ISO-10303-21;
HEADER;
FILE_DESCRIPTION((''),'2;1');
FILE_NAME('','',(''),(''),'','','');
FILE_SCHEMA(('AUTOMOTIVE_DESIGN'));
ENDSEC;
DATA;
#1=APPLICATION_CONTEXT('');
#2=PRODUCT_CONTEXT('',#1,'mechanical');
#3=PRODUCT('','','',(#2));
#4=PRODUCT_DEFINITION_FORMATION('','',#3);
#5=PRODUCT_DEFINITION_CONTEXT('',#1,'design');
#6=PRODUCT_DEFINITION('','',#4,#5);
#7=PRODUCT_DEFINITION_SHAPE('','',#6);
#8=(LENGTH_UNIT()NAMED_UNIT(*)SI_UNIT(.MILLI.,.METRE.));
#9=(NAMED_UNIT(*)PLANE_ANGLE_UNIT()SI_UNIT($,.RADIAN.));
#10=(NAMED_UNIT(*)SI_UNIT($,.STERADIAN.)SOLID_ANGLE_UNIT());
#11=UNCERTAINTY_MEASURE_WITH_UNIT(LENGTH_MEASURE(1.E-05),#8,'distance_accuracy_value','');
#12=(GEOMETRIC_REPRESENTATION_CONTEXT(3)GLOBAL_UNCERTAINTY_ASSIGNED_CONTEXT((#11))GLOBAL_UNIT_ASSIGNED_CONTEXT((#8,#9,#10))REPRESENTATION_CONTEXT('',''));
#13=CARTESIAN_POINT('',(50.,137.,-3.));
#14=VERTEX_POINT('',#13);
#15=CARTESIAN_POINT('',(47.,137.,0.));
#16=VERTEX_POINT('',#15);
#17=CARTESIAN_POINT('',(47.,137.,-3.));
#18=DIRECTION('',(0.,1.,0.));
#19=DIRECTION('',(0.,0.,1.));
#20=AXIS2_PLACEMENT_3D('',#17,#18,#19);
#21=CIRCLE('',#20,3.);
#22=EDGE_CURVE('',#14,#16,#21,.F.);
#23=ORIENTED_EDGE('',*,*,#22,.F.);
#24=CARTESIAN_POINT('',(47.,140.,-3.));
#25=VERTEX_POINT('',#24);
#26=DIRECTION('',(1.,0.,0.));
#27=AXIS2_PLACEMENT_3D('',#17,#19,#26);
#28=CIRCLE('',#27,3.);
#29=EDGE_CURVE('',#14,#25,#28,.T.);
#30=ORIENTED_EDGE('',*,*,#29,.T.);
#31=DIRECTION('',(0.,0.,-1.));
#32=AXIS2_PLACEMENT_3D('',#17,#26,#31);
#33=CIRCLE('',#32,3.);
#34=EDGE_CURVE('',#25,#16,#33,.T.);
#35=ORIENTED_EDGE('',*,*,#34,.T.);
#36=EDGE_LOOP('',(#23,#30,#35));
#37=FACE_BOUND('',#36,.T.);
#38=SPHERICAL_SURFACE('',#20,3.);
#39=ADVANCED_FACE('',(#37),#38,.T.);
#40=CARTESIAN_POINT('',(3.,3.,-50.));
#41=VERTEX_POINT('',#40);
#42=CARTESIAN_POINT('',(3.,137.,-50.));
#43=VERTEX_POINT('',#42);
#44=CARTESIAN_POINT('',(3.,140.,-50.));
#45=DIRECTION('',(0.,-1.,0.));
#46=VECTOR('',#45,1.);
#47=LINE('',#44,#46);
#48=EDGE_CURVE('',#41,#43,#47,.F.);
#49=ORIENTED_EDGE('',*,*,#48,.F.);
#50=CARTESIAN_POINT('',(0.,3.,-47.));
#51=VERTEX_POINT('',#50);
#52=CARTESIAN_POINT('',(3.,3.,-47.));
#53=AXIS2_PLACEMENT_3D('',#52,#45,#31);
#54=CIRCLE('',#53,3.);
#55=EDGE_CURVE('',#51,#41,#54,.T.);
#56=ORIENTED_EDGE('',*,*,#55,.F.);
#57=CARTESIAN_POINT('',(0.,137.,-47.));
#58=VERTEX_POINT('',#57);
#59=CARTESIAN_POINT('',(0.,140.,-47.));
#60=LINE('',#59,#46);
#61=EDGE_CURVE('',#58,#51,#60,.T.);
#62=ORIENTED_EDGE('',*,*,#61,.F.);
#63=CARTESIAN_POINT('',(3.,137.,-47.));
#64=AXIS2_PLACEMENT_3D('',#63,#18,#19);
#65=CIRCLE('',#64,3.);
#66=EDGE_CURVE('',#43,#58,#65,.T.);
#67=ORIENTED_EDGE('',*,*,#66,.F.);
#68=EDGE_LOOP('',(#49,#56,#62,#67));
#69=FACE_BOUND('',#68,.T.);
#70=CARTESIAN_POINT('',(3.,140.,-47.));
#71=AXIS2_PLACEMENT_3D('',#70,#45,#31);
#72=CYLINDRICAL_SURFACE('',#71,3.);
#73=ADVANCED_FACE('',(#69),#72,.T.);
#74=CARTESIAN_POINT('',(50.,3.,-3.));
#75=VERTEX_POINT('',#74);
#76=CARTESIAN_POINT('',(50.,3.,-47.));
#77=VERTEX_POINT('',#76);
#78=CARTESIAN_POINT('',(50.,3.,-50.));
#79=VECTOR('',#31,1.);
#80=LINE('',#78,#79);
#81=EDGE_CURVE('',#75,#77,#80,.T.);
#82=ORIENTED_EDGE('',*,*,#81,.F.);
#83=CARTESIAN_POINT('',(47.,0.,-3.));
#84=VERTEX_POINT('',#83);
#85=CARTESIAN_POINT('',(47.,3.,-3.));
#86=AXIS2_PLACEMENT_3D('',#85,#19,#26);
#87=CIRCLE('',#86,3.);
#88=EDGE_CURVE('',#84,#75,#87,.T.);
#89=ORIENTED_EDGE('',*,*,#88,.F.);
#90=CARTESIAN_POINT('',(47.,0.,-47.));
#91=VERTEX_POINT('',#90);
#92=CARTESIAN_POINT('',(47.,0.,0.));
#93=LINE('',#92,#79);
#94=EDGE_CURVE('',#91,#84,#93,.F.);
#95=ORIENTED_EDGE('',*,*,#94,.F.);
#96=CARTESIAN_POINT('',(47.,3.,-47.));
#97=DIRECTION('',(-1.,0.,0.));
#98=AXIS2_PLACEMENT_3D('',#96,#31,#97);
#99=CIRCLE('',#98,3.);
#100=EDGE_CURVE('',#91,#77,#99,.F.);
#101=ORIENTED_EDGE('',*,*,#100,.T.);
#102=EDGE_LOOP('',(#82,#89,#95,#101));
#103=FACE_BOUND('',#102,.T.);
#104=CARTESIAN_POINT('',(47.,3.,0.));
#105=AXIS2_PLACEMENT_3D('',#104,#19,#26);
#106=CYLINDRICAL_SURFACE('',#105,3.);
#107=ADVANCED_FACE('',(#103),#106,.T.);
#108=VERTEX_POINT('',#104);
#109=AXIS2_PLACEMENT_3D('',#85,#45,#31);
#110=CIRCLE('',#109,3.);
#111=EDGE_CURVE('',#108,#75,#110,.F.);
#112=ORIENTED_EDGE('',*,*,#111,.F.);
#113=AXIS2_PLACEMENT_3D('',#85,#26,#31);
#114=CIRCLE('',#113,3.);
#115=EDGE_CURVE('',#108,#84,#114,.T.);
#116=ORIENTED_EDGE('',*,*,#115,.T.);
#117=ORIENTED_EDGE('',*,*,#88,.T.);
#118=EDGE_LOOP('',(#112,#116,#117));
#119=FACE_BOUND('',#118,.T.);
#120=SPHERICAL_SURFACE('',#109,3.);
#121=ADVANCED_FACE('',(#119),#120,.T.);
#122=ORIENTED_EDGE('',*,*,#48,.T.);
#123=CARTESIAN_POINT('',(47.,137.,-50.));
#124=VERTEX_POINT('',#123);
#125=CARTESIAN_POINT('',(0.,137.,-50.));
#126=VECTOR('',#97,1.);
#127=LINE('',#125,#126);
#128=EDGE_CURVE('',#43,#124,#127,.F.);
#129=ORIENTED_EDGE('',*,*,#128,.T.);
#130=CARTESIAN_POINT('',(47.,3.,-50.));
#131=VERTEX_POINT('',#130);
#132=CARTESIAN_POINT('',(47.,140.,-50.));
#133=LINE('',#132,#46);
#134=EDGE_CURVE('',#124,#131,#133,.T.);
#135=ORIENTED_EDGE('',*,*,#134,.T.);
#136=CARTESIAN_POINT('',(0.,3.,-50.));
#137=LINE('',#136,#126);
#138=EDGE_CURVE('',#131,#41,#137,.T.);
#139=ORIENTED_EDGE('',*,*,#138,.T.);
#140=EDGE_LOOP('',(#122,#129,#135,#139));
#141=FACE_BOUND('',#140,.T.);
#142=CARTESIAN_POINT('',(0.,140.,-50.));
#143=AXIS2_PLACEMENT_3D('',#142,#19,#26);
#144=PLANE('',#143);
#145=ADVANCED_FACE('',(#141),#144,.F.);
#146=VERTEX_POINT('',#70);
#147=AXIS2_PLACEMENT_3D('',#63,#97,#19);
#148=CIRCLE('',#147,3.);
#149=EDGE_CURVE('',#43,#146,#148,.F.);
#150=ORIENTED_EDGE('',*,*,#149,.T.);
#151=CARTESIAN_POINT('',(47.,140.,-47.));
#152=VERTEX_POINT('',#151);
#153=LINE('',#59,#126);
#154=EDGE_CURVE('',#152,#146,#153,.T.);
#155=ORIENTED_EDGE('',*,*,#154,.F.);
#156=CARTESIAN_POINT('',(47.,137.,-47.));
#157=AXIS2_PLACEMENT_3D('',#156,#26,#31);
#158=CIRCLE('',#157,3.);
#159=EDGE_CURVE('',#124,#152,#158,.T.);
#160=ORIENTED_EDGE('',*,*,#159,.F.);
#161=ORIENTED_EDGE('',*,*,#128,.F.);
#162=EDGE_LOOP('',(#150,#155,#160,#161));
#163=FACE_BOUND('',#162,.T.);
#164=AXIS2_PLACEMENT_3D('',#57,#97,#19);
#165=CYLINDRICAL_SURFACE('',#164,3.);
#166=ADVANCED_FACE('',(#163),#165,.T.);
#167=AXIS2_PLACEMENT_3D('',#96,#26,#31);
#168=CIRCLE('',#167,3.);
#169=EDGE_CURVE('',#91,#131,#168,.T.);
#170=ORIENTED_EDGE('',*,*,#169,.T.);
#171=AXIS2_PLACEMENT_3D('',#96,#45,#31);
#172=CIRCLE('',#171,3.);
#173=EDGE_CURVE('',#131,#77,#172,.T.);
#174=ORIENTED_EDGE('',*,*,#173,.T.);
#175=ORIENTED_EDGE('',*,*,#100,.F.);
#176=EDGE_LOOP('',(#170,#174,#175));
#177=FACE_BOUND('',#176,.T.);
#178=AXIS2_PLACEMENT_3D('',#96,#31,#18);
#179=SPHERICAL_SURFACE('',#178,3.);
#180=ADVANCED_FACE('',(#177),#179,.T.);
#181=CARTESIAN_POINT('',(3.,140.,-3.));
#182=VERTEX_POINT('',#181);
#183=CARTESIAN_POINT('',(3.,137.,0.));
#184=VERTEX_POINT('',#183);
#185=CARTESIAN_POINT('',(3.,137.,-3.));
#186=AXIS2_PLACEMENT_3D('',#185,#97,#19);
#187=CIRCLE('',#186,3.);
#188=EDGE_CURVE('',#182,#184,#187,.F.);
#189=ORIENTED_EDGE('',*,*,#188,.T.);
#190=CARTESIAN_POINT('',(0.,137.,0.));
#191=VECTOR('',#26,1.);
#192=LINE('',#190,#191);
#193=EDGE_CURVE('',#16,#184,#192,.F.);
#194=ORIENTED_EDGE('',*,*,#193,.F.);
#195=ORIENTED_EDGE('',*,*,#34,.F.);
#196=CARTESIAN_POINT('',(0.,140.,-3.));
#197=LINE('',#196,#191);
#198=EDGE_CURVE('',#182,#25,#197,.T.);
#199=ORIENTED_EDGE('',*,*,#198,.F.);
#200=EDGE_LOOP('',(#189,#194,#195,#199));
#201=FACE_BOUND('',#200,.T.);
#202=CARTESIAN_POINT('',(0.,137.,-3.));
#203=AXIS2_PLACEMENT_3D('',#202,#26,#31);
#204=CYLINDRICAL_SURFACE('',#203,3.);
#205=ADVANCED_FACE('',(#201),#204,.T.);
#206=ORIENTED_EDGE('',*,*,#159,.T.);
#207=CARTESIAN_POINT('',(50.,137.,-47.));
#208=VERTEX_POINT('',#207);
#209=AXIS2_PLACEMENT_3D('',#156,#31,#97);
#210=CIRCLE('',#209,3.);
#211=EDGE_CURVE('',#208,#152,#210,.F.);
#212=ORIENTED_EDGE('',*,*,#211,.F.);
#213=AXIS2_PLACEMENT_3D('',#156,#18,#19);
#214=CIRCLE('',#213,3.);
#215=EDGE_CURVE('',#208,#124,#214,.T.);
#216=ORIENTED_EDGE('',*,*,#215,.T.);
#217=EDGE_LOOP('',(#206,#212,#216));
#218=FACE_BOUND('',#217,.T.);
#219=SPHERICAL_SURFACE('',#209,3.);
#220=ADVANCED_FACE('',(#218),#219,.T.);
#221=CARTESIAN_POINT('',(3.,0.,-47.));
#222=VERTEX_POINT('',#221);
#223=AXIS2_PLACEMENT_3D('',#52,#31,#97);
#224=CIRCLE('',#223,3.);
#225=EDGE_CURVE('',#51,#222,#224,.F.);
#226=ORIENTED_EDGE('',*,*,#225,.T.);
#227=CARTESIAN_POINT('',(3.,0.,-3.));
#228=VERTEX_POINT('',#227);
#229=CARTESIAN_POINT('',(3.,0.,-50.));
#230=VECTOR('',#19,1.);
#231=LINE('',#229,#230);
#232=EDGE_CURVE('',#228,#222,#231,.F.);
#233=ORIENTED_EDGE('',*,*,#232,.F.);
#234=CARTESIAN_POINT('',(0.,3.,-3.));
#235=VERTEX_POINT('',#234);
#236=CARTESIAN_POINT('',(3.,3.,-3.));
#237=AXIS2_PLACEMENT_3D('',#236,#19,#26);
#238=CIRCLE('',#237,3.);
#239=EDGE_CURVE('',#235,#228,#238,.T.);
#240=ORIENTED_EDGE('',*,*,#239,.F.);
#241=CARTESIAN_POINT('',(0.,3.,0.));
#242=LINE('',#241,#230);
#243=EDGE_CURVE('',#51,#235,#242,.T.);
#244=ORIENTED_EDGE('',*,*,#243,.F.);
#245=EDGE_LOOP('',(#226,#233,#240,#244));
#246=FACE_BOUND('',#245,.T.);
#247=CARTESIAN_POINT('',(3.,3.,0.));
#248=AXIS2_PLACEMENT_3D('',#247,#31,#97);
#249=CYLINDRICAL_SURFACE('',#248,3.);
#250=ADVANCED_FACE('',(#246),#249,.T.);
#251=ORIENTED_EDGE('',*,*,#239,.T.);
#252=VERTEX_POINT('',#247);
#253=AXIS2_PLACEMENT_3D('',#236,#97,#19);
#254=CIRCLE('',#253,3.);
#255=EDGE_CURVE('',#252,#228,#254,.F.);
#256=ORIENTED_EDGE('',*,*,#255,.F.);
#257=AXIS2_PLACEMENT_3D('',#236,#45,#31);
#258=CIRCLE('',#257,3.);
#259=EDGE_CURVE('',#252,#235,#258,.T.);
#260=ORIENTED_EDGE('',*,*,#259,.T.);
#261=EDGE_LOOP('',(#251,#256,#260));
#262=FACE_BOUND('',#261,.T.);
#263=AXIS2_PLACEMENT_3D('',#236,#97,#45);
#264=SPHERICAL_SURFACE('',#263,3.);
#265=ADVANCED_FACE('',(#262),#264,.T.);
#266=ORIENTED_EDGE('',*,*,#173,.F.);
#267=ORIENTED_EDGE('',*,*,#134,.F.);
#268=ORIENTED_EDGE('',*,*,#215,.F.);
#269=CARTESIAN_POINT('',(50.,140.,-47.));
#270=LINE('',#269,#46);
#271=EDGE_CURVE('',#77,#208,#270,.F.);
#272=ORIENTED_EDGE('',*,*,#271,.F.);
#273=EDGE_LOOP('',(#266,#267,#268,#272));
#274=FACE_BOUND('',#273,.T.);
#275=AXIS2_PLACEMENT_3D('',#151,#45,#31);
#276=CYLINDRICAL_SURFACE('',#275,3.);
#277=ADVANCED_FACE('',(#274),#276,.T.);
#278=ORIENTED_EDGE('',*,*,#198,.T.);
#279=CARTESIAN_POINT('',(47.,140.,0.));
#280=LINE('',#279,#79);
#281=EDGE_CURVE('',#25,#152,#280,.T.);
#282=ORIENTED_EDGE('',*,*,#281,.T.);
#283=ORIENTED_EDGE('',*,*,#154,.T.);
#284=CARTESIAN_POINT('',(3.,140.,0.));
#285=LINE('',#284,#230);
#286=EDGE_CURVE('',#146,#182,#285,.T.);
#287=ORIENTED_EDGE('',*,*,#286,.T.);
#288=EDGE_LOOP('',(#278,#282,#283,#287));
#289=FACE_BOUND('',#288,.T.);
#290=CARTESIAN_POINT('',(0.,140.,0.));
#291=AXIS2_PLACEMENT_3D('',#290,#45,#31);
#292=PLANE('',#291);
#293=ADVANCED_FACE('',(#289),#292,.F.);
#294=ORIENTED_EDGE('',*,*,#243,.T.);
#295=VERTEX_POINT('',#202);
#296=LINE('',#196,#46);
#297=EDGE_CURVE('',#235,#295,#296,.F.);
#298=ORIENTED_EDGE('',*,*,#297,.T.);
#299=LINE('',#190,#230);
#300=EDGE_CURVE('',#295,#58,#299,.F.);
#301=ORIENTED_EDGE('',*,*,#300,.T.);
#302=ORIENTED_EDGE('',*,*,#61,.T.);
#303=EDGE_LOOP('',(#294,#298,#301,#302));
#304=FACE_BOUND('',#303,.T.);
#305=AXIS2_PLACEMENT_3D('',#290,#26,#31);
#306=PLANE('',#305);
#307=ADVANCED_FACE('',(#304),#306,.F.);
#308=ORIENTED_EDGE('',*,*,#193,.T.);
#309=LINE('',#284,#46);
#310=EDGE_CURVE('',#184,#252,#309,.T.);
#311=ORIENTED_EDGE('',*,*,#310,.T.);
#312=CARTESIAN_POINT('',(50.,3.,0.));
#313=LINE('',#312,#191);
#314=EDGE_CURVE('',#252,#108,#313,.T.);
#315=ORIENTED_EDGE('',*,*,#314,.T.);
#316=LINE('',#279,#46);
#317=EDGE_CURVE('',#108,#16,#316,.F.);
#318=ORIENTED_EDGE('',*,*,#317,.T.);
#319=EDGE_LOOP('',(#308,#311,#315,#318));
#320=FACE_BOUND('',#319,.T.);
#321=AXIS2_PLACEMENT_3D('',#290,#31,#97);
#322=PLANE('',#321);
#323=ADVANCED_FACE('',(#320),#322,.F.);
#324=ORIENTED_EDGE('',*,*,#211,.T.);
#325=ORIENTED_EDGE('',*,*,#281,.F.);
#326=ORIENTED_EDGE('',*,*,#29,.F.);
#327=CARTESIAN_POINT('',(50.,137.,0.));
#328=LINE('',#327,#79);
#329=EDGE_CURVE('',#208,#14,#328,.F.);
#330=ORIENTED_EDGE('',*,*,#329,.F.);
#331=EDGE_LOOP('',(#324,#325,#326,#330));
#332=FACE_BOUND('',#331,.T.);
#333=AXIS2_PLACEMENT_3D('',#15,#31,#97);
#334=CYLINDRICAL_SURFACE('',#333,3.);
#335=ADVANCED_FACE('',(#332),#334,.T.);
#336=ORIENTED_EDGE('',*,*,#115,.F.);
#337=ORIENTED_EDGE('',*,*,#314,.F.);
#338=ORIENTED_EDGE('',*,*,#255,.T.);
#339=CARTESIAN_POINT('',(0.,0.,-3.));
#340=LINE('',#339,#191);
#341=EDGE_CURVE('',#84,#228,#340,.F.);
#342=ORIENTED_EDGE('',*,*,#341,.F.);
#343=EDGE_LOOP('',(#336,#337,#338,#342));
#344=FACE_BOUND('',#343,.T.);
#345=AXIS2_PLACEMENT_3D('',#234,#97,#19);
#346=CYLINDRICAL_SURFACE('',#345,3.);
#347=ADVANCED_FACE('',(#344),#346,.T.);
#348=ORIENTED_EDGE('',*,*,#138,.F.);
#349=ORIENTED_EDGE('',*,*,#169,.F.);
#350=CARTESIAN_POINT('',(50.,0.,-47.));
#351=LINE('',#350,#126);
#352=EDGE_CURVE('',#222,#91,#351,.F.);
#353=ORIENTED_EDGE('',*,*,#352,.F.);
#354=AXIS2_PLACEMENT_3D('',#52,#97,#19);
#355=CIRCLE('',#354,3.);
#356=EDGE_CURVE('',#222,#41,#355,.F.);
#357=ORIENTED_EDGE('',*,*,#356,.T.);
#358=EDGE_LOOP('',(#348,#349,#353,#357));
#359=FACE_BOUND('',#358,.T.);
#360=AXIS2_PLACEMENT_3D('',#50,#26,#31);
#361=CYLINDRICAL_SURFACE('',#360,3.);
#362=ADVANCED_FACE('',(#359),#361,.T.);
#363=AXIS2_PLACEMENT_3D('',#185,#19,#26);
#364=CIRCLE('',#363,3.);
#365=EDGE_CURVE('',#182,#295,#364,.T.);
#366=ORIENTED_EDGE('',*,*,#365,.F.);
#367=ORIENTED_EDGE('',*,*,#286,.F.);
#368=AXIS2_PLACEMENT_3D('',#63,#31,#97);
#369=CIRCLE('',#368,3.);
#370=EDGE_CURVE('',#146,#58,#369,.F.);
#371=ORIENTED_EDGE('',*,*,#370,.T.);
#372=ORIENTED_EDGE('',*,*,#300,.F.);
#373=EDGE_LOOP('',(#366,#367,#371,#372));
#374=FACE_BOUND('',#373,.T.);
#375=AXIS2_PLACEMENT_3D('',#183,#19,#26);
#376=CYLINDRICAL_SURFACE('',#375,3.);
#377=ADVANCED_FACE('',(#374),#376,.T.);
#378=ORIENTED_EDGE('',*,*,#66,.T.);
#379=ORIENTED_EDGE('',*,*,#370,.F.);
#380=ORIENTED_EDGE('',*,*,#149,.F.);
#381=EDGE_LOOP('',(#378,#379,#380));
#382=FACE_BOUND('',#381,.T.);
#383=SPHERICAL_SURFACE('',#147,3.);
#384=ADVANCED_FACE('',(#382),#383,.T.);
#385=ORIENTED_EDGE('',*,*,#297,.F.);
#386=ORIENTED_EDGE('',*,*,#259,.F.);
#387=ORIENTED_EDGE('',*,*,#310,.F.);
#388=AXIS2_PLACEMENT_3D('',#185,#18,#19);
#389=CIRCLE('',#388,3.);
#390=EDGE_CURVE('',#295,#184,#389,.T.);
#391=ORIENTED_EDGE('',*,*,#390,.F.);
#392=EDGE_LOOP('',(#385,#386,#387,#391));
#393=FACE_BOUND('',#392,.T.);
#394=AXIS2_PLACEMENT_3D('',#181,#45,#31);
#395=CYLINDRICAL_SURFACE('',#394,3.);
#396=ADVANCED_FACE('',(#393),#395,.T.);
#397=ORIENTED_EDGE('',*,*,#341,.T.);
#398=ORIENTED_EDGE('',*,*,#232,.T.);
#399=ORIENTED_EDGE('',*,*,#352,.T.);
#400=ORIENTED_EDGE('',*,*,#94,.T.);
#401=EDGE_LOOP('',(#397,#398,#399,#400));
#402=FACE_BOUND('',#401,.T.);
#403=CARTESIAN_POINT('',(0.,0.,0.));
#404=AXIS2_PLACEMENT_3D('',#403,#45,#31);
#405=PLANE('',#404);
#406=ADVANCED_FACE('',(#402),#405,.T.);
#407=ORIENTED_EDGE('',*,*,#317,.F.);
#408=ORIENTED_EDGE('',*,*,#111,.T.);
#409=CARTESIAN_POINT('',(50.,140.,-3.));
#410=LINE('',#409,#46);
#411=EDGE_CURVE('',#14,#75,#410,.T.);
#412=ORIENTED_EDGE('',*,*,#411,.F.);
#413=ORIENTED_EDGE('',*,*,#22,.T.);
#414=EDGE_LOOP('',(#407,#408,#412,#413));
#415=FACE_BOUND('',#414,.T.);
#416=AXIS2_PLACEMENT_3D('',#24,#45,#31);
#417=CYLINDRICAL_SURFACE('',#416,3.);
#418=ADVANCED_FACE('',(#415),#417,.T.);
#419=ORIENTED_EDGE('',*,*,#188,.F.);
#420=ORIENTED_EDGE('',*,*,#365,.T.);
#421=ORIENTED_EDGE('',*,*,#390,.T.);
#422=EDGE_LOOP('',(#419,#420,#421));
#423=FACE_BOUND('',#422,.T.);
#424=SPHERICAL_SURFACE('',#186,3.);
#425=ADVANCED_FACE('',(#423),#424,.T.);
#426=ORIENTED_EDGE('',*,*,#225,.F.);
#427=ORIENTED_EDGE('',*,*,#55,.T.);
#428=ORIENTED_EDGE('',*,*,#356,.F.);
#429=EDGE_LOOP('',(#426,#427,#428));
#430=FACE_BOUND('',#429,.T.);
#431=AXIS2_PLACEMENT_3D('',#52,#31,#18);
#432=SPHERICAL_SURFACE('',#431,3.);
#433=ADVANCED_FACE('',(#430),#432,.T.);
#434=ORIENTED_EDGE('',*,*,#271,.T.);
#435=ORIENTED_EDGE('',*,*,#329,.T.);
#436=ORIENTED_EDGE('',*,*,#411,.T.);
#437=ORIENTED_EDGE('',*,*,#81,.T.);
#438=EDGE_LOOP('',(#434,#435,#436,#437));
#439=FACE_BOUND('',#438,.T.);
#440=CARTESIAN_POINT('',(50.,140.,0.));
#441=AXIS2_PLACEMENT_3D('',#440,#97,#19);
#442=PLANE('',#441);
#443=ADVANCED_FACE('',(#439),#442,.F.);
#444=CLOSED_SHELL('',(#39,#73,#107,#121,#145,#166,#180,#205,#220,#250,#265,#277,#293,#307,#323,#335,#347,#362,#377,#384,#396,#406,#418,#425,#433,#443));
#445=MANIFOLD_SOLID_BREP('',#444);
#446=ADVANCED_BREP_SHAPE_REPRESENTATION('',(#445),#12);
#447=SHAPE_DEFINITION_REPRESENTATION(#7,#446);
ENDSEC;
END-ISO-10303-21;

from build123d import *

# Parameters (mm, degrees)
SKETCH_1_W      = 50
SKETCH_1_H      = 50
EXTRUDE_1_DEPTH = 140
FILLET_1_R      = 3


with BuildPart() as part:
    # Эскиз1 → Бобышка-Вытянуть1 (new body)
    with BuildSketch(Plane(origin=(0, 0, 0), x_dir=(1, 0, 0), z_dir=(0, 1, 0))):
        with Locations((25, 25)):
            Rectangle(SKETCH_1_W, SKETCH_1_H)
    extrude(amount=EXTRUDE_1_DEPTH)

    # Скругление1
    fillet_1_edges = [part.edges().sort_by_distance(p)[0] for p in [
        (50, 140, -25),
        (25, 140, -50),
        (0, 140, -25),
        (25, 0, -50),
        (50, 0, -25),
        (25, 0, 0),
        (0, 0, -25),
        (0, 70, -50),
        (50, 70, -50),
        (50, 70, 0),
        (0, 70, 0),
        (25, 140, 0),
    ]]
    fillet(fillet_1_edges, radius=FILLET_1_R)


solid = part.part
